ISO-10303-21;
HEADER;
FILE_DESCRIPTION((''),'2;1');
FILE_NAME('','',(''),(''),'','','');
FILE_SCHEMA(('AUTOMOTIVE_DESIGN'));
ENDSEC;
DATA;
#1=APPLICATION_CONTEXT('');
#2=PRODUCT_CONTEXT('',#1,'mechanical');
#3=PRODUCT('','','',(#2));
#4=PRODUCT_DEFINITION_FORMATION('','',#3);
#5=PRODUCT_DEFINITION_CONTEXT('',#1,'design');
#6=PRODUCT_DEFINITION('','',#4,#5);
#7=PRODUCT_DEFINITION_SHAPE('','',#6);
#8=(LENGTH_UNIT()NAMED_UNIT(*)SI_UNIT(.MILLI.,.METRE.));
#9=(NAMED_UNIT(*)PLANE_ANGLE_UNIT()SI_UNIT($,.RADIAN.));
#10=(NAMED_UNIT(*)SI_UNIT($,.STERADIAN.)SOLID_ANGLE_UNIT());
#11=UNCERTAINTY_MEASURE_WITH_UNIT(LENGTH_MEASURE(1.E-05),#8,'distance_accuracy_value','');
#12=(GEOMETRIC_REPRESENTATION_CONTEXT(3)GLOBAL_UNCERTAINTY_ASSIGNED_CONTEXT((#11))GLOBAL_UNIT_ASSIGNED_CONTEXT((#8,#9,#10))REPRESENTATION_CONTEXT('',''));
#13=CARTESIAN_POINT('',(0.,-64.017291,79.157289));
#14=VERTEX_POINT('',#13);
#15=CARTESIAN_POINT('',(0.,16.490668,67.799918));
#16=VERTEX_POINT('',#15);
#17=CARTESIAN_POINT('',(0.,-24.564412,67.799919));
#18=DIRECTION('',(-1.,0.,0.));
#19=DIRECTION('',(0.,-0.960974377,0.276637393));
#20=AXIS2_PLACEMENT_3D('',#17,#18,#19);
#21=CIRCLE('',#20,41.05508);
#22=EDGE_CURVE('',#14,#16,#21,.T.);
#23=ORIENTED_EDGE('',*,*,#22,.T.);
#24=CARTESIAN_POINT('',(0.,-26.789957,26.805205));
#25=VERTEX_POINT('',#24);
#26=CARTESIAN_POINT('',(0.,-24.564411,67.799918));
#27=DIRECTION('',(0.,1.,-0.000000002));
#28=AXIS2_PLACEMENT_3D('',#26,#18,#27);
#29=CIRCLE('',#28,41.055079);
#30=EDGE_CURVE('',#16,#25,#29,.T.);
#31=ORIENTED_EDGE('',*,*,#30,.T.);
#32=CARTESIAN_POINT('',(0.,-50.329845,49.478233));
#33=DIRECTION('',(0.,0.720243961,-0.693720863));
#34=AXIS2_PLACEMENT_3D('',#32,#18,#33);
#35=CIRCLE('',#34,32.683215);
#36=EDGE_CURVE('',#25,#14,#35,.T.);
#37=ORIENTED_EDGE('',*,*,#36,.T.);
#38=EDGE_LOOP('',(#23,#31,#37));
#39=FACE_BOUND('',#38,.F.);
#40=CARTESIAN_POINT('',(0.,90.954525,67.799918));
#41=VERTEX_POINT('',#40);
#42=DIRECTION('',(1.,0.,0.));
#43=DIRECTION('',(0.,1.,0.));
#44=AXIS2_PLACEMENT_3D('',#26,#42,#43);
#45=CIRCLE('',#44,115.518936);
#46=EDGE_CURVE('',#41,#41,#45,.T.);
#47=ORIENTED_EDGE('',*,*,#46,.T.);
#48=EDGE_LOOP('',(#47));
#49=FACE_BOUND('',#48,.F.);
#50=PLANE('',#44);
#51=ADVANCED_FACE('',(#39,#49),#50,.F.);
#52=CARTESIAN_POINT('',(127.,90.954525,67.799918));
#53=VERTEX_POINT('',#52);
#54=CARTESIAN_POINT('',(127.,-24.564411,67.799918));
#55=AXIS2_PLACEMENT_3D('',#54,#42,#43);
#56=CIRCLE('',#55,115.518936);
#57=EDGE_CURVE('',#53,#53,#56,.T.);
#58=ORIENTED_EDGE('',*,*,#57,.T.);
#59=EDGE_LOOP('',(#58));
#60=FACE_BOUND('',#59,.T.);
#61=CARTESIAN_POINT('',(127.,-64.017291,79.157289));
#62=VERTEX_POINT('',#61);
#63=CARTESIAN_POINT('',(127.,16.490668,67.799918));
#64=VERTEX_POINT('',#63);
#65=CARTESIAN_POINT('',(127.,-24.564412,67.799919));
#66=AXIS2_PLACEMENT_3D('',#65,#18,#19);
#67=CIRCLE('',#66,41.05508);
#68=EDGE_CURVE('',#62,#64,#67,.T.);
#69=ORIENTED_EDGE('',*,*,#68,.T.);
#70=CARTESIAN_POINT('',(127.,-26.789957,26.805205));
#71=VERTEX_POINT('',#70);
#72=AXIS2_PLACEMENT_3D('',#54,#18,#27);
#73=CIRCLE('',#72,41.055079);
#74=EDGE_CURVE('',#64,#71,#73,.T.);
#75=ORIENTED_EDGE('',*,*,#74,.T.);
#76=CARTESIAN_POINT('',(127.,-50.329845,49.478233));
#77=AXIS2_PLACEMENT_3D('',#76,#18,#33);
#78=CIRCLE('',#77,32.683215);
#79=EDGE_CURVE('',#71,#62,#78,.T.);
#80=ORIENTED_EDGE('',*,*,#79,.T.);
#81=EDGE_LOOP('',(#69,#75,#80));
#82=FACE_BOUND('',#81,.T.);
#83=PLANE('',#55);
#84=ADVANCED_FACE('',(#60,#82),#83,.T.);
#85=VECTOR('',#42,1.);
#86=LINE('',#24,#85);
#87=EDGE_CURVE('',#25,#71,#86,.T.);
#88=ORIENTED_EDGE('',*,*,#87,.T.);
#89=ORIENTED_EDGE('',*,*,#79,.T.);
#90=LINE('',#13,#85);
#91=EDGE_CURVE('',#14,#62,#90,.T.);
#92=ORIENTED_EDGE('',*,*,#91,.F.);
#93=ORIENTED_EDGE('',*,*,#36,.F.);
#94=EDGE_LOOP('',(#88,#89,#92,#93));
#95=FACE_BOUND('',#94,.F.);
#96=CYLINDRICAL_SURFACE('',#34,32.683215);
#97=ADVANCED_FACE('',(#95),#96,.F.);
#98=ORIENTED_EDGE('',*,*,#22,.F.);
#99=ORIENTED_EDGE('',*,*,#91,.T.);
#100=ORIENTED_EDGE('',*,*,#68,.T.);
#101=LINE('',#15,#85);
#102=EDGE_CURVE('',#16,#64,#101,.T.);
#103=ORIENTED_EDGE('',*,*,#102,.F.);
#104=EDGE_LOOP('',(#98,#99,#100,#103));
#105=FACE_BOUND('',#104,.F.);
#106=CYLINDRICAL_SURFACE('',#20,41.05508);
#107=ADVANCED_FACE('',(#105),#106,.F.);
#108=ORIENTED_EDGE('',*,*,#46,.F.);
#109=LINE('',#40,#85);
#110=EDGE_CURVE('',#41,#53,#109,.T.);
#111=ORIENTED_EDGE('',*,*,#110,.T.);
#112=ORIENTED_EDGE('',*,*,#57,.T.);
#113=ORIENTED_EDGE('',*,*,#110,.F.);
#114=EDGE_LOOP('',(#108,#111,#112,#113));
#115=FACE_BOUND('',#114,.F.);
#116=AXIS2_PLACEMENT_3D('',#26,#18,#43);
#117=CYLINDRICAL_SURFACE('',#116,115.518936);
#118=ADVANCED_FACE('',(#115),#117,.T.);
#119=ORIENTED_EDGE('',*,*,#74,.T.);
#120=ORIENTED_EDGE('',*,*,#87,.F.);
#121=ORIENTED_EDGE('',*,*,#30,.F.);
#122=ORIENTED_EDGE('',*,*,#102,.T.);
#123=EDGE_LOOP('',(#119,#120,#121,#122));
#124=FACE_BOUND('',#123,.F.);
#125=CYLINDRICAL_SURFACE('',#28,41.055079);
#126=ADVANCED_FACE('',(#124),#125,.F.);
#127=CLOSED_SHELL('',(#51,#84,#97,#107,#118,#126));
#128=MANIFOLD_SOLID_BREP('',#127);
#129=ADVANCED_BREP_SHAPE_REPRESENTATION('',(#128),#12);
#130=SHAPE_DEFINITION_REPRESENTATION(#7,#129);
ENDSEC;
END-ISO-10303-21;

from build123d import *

# Parameters (mm, degrees)
F0_R     = 115.518936
F1_DEPTH = 127


with BuildPart() as f1:
    # F0 (on Right) → F1 (new body)
    with BuildSketch(Plane.YZ):
        with Locations((-24.564411, 67.799918)):
            Circle(F0_R)
        with BuildLine():
            ThreePointArc((-26.789957, 26.805205), (-76.965401, 30.537808), (-64.017291, 79.157289))
            ThreePointArc((-64.017291, 79.157289), (-18.829498, 108.452475), (16.490668, 67.799918))
            ThreePointArc((16.490668, 67.799918), (3.668102, 37.993128), (-26.789957, 26.805205))
        make_face(mode=Mode.SUBTRACT)
    extrude(amount=F1_DEPTH)


solid = f1.part
